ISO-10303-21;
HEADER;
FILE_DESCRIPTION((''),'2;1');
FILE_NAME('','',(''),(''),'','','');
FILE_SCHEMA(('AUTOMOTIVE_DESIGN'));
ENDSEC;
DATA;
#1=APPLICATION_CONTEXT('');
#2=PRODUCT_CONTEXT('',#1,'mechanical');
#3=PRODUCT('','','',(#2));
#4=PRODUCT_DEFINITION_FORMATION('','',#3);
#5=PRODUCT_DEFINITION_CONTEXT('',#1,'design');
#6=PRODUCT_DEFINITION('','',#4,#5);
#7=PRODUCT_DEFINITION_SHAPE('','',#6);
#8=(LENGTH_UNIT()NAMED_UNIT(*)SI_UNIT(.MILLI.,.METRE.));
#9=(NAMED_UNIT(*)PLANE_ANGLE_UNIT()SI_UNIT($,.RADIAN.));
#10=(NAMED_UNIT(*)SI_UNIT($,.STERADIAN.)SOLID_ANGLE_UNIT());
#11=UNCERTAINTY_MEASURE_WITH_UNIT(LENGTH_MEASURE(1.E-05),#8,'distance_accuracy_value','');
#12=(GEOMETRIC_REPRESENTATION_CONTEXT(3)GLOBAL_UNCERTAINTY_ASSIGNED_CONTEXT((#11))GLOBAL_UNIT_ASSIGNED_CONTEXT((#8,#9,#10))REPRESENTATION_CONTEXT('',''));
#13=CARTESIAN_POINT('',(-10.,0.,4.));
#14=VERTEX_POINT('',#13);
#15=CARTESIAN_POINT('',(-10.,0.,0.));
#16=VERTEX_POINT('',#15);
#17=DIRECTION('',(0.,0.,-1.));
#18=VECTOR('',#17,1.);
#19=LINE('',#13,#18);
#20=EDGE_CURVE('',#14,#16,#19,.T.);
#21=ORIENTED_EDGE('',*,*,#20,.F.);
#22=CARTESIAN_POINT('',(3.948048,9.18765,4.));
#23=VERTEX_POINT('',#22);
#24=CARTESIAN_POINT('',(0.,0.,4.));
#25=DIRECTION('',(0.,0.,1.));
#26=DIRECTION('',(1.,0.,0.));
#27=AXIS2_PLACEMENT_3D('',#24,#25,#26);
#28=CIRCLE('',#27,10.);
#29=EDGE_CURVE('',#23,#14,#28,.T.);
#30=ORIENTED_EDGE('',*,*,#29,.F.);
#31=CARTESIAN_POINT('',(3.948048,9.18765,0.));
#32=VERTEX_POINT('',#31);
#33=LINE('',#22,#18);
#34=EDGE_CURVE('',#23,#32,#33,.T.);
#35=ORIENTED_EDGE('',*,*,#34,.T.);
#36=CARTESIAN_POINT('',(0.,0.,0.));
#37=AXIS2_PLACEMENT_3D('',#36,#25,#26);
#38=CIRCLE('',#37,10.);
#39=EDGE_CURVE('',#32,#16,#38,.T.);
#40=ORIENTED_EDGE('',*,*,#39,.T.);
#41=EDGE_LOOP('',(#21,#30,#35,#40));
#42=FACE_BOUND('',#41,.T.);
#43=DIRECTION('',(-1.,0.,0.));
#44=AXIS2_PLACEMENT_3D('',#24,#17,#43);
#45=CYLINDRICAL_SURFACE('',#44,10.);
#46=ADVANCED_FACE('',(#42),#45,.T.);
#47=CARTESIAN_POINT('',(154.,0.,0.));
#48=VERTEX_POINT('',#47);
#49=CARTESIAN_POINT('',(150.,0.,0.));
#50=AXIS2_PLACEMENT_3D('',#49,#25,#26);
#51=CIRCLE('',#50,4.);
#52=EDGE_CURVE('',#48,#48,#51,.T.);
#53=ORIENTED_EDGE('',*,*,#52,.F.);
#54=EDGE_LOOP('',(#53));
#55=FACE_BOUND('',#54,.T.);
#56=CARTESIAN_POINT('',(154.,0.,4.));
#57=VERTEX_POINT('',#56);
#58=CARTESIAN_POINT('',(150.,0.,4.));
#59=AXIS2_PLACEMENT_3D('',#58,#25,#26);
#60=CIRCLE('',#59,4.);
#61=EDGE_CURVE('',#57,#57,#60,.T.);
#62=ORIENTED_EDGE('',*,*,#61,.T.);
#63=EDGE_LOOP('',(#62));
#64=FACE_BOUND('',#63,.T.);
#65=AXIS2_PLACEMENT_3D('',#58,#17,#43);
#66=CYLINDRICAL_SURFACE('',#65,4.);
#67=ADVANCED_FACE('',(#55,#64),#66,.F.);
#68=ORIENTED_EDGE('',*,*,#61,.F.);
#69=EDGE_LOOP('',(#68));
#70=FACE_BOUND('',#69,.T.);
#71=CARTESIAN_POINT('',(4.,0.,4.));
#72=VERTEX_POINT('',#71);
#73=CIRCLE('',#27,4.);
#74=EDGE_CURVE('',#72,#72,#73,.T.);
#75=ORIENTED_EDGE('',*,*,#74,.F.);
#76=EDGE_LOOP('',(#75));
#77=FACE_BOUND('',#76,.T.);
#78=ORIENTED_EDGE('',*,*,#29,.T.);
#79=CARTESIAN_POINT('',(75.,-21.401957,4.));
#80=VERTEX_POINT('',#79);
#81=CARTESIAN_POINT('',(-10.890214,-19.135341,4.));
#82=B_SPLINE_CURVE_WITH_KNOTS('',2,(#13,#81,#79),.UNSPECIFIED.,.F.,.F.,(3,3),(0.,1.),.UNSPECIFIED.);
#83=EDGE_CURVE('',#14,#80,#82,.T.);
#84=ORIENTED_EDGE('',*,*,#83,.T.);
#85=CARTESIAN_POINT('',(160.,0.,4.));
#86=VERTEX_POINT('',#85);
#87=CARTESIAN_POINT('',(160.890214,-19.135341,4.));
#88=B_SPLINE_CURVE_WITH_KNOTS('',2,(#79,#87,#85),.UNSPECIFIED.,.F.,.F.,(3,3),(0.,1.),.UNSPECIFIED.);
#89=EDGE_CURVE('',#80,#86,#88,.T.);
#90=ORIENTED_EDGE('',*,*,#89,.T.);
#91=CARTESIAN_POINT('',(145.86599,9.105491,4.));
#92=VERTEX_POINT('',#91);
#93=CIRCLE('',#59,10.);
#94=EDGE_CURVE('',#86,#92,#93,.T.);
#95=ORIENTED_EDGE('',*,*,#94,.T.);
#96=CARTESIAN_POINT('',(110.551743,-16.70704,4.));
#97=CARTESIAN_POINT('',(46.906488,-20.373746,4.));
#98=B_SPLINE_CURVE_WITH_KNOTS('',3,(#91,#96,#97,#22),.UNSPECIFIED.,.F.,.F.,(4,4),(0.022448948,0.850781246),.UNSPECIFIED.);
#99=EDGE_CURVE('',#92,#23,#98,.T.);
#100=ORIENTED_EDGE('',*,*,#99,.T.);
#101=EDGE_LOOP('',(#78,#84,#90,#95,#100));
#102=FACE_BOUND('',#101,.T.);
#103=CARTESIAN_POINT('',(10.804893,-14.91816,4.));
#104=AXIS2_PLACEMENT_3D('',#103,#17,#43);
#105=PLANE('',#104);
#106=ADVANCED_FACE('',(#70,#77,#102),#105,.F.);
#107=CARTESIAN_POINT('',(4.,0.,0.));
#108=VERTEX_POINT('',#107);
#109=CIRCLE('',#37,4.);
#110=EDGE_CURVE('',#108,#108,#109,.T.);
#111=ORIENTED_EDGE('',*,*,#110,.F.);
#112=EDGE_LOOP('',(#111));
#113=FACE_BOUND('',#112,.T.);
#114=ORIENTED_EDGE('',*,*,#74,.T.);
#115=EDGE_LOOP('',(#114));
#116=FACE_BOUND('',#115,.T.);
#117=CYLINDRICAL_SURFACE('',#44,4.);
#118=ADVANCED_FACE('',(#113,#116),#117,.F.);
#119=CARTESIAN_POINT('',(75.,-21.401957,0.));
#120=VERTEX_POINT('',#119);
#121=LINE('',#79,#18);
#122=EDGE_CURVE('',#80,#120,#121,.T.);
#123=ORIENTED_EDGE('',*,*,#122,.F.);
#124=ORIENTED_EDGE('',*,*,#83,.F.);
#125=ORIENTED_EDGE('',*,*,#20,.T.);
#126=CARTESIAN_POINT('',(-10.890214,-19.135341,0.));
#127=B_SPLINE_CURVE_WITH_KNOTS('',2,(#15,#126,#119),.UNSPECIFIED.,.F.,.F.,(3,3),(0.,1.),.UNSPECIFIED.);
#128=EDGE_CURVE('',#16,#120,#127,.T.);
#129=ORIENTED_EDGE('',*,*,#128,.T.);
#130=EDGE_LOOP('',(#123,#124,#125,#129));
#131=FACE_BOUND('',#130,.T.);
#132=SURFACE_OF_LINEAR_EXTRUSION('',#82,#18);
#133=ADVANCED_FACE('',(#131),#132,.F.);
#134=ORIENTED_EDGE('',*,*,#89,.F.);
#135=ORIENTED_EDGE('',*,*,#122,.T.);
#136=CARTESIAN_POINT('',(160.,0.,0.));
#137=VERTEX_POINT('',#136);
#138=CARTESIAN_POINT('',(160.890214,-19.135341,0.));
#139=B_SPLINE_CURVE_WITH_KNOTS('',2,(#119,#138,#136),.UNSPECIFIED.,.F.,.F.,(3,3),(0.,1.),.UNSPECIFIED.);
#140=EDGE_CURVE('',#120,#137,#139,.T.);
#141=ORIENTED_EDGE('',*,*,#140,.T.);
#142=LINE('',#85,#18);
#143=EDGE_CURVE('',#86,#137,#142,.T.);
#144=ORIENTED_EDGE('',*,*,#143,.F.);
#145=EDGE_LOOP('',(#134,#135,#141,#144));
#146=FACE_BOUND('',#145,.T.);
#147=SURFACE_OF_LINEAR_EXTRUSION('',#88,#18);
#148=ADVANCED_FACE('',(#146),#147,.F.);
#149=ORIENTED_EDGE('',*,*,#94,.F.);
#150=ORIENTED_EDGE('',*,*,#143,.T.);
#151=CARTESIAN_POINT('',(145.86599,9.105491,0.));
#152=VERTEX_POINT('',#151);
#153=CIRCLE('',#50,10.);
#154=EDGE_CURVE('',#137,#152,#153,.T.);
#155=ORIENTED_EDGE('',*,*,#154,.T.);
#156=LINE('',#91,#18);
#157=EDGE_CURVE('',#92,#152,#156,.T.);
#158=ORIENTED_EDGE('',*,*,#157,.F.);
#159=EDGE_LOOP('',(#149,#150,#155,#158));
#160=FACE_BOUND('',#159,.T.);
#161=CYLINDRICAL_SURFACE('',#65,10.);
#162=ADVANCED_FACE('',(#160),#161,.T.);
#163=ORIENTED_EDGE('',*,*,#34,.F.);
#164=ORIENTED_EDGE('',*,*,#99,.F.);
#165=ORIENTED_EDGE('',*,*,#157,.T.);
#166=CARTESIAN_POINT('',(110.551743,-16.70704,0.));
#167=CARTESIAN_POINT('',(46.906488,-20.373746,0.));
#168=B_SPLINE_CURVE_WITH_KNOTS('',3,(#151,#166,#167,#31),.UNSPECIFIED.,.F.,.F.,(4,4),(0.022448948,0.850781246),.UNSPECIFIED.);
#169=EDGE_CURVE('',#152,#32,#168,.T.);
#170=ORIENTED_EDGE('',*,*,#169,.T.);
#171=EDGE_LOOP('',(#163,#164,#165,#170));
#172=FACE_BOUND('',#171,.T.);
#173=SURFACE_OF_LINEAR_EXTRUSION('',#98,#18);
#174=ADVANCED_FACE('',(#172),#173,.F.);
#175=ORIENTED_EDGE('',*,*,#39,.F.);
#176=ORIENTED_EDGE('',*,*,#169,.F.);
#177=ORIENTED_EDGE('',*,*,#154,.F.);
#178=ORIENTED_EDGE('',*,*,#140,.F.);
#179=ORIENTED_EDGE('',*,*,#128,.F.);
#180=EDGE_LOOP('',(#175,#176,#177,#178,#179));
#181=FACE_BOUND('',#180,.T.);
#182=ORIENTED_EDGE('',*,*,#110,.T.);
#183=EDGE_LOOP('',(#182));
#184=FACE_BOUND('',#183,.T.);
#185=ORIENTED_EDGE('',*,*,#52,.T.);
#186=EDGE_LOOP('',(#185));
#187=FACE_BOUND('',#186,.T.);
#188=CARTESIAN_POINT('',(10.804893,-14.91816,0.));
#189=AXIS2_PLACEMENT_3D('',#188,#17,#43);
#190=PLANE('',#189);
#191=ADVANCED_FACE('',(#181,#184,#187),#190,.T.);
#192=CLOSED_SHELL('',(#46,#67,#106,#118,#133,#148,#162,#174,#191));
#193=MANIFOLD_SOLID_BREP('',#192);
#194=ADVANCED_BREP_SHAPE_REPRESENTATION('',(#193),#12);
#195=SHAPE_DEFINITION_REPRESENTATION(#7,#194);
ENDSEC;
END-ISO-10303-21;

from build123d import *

# Parameters (mm, degrees)
SKETCH_1_R      = 4
EXTRUDE_1_DEPTH = 4


with BuildPart() as part:
    # 草图1 → 凸台-拉伸1 (new body)
    with BuildSketch(Plane.XY):
        with BuildLine():
            ThreePointArc((3.948047826, 9.187650318), (-5.50088728, 8.351062156), (-10, 0))
            add(Edge.make_bspline(
                [(-10, 0), (-10.890214237, -19.135341361), (75, -21.401956932)],
                knots=[0, 0, 0, 1, 1, 1], degree=2))
            add(Edge.make_bspline(
                [(160, 0), (160.890214237, -19.135341361), (75, -21.401956932)],
                knots=[0, 0, 0, 1, 1, 1], degree=2))
            ThreePointArc((160, 0), (155.415713455, 8.40654791), (145.865990446, 9.105490926))
            add(Edge.make_bspline(
                [(3.948047826, 9.187650318), (46.906488456, -20.373746255), (110.551742639, -16.70704022), (145.865990446, 9.105490926)],
                knots=[0.022448948, 0.022448948, 0.022448948, 0.022448948, 0.850781246, 0.850781246, 0.850781246, 0.850781246], degree=3))
        make_face()
        Circle(SKETCH_1_R, mode=Mode.SUBTRACT)
        with Locations((150, 0)):
            Circle(SKETCH_1_R, mode=Mode.SUBTRACT)
    extrude(amount=EXTRUDE_1_DEPTH)


solid = part.part
